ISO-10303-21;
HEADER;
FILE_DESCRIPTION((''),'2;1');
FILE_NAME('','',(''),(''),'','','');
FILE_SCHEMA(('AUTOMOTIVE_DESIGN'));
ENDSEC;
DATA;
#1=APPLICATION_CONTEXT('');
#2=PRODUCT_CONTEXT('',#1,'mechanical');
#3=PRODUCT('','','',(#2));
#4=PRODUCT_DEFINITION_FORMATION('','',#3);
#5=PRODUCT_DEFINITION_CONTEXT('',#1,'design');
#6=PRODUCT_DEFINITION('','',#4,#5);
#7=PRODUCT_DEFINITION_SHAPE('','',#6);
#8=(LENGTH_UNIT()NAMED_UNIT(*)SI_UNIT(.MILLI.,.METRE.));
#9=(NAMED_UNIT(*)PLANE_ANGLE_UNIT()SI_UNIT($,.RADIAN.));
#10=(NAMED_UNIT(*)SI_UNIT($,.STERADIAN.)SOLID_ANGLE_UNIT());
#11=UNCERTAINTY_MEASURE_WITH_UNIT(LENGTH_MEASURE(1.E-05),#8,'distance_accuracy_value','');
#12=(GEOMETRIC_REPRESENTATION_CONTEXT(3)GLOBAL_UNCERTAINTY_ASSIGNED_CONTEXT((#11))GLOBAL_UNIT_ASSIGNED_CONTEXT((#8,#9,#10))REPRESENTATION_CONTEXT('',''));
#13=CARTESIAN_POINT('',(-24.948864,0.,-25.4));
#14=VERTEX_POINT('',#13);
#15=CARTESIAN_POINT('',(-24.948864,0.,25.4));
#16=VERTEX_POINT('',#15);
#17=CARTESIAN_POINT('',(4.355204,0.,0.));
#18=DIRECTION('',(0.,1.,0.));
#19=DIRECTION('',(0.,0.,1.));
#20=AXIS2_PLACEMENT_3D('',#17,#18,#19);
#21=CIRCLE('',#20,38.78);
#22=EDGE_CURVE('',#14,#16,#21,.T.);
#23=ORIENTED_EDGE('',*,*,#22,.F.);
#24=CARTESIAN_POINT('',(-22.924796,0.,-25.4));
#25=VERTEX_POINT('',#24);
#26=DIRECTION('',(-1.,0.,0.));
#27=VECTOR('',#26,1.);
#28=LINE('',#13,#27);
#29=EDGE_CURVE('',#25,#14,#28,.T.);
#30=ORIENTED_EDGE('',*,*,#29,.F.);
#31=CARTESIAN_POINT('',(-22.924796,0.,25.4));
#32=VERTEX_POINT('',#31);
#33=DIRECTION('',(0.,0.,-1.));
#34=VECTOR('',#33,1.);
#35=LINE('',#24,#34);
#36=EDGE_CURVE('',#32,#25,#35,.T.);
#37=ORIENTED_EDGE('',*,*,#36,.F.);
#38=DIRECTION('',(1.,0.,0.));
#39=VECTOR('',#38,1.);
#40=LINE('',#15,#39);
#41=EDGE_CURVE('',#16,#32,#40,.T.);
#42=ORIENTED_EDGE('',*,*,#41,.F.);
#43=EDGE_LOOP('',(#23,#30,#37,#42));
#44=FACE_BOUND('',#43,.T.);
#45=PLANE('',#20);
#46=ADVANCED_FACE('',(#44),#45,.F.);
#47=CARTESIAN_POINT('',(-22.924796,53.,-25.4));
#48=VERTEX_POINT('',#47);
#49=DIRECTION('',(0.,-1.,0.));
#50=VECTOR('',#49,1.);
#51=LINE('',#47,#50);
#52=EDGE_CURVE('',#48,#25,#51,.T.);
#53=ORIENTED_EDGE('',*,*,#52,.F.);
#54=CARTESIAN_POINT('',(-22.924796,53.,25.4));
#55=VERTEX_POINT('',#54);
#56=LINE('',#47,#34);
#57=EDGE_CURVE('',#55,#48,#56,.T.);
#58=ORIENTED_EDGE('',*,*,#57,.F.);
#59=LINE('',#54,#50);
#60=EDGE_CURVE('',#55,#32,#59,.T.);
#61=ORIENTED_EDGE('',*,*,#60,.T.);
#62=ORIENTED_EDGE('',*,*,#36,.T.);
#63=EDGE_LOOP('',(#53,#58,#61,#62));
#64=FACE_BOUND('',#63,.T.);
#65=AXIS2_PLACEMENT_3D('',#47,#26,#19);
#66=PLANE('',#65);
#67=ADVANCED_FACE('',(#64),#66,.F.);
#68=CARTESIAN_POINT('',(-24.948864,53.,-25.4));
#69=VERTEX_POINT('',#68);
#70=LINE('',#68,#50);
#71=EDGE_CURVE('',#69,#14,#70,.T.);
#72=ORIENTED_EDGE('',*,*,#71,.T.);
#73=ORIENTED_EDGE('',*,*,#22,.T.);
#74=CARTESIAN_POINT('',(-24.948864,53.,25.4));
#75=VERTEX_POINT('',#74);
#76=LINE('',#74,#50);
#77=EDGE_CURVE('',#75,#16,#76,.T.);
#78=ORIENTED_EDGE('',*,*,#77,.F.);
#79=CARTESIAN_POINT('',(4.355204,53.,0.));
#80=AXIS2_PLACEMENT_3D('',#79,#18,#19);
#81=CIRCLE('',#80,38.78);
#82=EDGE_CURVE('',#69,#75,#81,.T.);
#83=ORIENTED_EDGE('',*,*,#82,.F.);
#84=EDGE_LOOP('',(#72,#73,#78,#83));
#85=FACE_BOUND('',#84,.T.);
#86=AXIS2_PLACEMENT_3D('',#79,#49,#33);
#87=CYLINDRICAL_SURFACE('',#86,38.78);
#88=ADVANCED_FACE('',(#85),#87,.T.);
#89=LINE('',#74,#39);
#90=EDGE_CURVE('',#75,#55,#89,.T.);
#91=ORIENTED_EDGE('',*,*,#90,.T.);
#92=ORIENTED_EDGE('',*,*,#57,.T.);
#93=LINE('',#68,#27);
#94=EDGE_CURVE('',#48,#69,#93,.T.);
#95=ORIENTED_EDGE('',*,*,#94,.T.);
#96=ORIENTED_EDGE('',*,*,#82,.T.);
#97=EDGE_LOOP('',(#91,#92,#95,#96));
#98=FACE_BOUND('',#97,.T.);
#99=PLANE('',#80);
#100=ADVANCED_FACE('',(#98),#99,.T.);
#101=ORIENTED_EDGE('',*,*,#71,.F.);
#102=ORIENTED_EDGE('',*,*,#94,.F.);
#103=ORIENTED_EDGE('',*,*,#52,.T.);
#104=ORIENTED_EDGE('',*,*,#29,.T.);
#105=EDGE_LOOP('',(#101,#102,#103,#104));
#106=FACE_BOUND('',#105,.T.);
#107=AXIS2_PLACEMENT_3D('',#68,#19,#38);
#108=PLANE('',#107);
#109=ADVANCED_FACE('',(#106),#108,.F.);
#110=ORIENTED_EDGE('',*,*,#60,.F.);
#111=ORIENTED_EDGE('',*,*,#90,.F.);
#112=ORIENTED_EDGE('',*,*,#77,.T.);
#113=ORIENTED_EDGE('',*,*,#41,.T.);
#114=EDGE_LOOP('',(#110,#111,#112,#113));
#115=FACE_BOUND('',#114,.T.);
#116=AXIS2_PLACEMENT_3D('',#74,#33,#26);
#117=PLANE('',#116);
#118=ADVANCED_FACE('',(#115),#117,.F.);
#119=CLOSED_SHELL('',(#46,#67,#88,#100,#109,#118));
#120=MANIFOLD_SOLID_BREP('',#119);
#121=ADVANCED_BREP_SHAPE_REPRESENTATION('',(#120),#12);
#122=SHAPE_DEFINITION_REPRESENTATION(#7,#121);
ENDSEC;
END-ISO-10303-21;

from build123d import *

# Parameters (mm, degrees)
EXTRUDE_1_DEPTH = 53


with BuildPart() as part:
    # 草图1 → 凸台-拉伸1 (new body)
    with BuildSketch(Plane(origin=(0, 0, 0), x_dir=(1, 0, 0), z_dir=(0, 1, 0))):
        with BuildLine():
            Line((-24.948863642, 25.4), (-22.924795665, 25.4))
            Line((-22.924795665, 25.4), (-22.924795665, -25.4))
            Line((-22.924795665, -25.4), (-24.948863642, -25.4))
            ThreePointArc((-24.948863642, -25.4), (-34.424795665, 0), (-24.948863642, 25.4))
        make_face()
    extrude(amount=EXTRUDE_1_DEPTH)


solid = part.part
